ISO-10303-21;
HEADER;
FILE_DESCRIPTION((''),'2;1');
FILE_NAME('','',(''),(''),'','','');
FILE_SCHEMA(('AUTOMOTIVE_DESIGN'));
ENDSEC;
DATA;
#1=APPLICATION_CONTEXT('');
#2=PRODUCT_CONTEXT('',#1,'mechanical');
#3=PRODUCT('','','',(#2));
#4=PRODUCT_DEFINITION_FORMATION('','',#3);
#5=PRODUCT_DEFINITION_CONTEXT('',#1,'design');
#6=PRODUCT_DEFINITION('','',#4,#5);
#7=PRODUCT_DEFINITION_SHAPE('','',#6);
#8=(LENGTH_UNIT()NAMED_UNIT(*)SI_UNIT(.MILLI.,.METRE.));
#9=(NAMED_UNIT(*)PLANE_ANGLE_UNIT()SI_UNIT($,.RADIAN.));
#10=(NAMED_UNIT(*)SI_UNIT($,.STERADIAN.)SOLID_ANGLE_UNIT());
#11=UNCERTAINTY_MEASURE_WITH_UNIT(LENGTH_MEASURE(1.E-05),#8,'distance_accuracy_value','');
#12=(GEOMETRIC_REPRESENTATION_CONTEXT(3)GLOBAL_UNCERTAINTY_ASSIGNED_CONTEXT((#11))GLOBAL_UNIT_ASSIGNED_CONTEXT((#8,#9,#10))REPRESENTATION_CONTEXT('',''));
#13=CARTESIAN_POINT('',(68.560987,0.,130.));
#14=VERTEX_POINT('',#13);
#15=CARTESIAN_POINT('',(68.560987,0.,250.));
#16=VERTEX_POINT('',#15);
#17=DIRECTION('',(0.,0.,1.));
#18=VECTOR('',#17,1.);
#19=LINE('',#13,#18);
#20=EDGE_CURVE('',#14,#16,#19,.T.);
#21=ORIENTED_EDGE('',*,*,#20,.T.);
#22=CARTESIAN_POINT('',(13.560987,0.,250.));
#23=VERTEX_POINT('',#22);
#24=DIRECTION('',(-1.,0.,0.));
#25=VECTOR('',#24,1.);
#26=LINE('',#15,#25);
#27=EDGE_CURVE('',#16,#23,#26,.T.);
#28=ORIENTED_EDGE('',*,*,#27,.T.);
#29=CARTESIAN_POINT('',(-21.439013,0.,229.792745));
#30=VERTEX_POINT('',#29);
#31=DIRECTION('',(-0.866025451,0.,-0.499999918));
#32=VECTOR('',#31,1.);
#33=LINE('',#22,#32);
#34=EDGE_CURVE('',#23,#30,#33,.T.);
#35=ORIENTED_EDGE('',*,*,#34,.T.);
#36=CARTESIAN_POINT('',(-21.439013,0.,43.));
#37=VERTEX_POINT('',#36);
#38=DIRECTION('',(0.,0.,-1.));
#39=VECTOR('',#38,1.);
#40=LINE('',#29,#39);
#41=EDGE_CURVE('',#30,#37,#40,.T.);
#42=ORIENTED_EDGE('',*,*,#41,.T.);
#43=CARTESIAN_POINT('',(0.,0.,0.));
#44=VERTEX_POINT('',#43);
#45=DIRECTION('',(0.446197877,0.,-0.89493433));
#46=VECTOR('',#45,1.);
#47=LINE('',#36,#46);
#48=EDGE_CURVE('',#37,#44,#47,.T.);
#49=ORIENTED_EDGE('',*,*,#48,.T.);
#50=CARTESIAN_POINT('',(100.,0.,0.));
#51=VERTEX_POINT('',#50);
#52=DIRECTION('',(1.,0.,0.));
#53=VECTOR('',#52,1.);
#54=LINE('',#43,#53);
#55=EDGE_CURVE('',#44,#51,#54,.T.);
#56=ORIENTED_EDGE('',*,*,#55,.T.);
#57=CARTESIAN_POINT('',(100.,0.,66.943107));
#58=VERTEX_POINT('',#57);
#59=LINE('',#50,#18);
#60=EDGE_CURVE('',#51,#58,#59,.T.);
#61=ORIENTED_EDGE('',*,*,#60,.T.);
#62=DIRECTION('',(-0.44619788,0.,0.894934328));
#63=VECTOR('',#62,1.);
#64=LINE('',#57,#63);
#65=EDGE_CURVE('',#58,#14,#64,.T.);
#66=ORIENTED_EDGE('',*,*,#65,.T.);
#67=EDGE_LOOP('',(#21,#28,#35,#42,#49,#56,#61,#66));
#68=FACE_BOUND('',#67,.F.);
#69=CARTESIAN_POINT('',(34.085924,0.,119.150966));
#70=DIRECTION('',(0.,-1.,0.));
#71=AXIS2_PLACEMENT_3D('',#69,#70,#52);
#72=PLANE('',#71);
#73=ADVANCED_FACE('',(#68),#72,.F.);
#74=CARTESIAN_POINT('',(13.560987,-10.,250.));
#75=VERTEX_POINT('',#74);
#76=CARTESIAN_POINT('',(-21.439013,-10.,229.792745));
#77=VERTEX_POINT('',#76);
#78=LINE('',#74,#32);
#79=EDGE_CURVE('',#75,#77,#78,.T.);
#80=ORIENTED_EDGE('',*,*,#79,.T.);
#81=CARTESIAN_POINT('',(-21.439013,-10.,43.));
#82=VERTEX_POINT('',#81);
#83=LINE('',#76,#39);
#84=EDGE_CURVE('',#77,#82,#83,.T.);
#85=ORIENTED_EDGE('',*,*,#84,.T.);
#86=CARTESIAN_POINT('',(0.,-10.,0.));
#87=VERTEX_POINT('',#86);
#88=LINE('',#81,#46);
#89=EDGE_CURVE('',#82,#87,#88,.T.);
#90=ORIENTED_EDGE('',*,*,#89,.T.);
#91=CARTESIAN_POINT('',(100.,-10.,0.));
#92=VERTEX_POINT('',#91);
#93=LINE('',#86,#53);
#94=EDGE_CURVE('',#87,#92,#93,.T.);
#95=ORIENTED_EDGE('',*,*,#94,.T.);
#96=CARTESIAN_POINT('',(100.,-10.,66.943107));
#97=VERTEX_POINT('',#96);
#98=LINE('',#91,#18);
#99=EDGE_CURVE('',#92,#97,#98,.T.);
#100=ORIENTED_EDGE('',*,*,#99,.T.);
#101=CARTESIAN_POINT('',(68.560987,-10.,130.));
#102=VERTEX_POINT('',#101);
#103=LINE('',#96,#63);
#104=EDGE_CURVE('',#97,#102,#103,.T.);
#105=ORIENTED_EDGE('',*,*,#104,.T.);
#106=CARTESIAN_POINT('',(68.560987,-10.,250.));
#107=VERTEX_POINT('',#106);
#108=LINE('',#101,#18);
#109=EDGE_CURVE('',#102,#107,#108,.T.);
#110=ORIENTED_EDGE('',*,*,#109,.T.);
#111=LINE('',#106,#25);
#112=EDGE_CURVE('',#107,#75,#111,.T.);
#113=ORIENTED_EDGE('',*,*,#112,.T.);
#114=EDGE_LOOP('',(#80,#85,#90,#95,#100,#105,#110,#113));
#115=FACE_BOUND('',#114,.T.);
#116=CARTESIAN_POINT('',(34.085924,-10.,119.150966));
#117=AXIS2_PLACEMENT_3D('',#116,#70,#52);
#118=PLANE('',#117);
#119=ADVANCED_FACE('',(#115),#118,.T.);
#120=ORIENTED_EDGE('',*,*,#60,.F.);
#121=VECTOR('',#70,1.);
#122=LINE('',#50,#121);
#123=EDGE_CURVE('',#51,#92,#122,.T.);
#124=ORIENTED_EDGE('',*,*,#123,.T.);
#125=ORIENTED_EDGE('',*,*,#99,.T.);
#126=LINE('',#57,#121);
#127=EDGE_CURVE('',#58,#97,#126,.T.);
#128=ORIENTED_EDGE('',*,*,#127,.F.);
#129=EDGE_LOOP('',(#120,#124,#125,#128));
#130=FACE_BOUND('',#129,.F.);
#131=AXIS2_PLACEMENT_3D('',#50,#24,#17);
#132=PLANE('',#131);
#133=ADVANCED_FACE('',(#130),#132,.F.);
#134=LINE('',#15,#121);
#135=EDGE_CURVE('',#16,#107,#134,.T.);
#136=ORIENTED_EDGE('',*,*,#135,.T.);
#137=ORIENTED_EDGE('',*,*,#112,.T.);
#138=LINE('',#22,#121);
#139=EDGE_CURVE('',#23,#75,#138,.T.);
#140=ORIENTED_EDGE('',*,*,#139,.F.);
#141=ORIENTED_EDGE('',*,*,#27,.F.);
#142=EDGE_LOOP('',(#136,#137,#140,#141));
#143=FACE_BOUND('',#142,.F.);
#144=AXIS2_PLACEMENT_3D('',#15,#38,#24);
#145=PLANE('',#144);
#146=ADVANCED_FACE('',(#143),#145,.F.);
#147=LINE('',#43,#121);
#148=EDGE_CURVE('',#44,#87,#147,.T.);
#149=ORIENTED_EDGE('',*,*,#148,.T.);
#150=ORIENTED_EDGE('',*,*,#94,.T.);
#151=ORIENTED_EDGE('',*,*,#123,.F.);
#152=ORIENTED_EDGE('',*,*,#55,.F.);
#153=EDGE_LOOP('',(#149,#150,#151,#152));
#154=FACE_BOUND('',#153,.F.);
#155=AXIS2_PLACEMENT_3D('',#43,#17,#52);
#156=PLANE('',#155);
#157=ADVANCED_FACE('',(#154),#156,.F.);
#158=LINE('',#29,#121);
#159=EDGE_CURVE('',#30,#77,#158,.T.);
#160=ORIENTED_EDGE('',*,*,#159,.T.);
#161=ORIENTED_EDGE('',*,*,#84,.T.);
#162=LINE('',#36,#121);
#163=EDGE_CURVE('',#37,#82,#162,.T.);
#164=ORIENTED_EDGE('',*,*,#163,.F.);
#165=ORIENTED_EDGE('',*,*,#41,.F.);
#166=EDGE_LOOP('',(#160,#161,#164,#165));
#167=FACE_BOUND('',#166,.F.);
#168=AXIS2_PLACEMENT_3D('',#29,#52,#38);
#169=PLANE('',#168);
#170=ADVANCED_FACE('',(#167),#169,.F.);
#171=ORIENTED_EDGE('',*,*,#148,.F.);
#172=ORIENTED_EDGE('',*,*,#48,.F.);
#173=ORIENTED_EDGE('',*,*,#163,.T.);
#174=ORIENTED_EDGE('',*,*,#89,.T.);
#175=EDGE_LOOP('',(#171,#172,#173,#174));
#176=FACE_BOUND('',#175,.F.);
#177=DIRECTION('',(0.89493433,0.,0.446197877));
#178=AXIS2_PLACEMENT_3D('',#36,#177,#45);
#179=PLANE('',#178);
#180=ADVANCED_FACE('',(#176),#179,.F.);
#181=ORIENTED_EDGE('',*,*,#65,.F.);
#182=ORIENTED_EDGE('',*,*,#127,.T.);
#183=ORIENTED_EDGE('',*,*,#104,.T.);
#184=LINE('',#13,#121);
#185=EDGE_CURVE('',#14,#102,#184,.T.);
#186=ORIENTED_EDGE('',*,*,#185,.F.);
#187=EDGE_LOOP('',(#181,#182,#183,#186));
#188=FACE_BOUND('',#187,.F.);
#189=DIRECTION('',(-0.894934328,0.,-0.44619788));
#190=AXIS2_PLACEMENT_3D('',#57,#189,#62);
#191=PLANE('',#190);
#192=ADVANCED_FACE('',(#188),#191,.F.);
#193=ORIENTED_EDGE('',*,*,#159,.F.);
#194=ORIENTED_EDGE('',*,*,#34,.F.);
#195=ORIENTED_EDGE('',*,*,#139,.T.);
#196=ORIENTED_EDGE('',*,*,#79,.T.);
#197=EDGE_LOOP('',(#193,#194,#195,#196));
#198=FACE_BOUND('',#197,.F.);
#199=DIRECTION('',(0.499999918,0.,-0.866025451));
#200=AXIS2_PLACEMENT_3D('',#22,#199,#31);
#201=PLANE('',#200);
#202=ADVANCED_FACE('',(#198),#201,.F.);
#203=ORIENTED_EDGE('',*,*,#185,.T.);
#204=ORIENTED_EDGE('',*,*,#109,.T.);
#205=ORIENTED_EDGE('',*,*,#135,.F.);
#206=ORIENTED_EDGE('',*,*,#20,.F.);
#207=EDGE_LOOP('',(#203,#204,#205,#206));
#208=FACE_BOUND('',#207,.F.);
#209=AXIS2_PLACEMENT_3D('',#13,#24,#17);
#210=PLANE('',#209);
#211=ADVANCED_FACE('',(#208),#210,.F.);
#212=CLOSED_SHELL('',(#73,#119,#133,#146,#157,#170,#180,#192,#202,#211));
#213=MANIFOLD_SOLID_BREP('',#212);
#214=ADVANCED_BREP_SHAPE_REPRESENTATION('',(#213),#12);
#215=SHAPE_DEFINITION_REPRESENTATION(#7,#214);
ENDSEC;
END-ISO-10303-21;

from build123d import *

# Parameters (mm, degrees)
PAD_DEPTH = 10


with BuildPart() as part:
    # Sketch → Pad (new body)
    with BuildSketch(Plane.XZ):
        Polygon((0, 0), (100, 0), (100, 66.943107), (68.560987, 130), (68.560987, 250), (13.560987, 250), (-21.439013, 229.792745), (-21.439013, 43), align=None)
    extrude(amount=PAD_DEPTH)


solid = part.part
